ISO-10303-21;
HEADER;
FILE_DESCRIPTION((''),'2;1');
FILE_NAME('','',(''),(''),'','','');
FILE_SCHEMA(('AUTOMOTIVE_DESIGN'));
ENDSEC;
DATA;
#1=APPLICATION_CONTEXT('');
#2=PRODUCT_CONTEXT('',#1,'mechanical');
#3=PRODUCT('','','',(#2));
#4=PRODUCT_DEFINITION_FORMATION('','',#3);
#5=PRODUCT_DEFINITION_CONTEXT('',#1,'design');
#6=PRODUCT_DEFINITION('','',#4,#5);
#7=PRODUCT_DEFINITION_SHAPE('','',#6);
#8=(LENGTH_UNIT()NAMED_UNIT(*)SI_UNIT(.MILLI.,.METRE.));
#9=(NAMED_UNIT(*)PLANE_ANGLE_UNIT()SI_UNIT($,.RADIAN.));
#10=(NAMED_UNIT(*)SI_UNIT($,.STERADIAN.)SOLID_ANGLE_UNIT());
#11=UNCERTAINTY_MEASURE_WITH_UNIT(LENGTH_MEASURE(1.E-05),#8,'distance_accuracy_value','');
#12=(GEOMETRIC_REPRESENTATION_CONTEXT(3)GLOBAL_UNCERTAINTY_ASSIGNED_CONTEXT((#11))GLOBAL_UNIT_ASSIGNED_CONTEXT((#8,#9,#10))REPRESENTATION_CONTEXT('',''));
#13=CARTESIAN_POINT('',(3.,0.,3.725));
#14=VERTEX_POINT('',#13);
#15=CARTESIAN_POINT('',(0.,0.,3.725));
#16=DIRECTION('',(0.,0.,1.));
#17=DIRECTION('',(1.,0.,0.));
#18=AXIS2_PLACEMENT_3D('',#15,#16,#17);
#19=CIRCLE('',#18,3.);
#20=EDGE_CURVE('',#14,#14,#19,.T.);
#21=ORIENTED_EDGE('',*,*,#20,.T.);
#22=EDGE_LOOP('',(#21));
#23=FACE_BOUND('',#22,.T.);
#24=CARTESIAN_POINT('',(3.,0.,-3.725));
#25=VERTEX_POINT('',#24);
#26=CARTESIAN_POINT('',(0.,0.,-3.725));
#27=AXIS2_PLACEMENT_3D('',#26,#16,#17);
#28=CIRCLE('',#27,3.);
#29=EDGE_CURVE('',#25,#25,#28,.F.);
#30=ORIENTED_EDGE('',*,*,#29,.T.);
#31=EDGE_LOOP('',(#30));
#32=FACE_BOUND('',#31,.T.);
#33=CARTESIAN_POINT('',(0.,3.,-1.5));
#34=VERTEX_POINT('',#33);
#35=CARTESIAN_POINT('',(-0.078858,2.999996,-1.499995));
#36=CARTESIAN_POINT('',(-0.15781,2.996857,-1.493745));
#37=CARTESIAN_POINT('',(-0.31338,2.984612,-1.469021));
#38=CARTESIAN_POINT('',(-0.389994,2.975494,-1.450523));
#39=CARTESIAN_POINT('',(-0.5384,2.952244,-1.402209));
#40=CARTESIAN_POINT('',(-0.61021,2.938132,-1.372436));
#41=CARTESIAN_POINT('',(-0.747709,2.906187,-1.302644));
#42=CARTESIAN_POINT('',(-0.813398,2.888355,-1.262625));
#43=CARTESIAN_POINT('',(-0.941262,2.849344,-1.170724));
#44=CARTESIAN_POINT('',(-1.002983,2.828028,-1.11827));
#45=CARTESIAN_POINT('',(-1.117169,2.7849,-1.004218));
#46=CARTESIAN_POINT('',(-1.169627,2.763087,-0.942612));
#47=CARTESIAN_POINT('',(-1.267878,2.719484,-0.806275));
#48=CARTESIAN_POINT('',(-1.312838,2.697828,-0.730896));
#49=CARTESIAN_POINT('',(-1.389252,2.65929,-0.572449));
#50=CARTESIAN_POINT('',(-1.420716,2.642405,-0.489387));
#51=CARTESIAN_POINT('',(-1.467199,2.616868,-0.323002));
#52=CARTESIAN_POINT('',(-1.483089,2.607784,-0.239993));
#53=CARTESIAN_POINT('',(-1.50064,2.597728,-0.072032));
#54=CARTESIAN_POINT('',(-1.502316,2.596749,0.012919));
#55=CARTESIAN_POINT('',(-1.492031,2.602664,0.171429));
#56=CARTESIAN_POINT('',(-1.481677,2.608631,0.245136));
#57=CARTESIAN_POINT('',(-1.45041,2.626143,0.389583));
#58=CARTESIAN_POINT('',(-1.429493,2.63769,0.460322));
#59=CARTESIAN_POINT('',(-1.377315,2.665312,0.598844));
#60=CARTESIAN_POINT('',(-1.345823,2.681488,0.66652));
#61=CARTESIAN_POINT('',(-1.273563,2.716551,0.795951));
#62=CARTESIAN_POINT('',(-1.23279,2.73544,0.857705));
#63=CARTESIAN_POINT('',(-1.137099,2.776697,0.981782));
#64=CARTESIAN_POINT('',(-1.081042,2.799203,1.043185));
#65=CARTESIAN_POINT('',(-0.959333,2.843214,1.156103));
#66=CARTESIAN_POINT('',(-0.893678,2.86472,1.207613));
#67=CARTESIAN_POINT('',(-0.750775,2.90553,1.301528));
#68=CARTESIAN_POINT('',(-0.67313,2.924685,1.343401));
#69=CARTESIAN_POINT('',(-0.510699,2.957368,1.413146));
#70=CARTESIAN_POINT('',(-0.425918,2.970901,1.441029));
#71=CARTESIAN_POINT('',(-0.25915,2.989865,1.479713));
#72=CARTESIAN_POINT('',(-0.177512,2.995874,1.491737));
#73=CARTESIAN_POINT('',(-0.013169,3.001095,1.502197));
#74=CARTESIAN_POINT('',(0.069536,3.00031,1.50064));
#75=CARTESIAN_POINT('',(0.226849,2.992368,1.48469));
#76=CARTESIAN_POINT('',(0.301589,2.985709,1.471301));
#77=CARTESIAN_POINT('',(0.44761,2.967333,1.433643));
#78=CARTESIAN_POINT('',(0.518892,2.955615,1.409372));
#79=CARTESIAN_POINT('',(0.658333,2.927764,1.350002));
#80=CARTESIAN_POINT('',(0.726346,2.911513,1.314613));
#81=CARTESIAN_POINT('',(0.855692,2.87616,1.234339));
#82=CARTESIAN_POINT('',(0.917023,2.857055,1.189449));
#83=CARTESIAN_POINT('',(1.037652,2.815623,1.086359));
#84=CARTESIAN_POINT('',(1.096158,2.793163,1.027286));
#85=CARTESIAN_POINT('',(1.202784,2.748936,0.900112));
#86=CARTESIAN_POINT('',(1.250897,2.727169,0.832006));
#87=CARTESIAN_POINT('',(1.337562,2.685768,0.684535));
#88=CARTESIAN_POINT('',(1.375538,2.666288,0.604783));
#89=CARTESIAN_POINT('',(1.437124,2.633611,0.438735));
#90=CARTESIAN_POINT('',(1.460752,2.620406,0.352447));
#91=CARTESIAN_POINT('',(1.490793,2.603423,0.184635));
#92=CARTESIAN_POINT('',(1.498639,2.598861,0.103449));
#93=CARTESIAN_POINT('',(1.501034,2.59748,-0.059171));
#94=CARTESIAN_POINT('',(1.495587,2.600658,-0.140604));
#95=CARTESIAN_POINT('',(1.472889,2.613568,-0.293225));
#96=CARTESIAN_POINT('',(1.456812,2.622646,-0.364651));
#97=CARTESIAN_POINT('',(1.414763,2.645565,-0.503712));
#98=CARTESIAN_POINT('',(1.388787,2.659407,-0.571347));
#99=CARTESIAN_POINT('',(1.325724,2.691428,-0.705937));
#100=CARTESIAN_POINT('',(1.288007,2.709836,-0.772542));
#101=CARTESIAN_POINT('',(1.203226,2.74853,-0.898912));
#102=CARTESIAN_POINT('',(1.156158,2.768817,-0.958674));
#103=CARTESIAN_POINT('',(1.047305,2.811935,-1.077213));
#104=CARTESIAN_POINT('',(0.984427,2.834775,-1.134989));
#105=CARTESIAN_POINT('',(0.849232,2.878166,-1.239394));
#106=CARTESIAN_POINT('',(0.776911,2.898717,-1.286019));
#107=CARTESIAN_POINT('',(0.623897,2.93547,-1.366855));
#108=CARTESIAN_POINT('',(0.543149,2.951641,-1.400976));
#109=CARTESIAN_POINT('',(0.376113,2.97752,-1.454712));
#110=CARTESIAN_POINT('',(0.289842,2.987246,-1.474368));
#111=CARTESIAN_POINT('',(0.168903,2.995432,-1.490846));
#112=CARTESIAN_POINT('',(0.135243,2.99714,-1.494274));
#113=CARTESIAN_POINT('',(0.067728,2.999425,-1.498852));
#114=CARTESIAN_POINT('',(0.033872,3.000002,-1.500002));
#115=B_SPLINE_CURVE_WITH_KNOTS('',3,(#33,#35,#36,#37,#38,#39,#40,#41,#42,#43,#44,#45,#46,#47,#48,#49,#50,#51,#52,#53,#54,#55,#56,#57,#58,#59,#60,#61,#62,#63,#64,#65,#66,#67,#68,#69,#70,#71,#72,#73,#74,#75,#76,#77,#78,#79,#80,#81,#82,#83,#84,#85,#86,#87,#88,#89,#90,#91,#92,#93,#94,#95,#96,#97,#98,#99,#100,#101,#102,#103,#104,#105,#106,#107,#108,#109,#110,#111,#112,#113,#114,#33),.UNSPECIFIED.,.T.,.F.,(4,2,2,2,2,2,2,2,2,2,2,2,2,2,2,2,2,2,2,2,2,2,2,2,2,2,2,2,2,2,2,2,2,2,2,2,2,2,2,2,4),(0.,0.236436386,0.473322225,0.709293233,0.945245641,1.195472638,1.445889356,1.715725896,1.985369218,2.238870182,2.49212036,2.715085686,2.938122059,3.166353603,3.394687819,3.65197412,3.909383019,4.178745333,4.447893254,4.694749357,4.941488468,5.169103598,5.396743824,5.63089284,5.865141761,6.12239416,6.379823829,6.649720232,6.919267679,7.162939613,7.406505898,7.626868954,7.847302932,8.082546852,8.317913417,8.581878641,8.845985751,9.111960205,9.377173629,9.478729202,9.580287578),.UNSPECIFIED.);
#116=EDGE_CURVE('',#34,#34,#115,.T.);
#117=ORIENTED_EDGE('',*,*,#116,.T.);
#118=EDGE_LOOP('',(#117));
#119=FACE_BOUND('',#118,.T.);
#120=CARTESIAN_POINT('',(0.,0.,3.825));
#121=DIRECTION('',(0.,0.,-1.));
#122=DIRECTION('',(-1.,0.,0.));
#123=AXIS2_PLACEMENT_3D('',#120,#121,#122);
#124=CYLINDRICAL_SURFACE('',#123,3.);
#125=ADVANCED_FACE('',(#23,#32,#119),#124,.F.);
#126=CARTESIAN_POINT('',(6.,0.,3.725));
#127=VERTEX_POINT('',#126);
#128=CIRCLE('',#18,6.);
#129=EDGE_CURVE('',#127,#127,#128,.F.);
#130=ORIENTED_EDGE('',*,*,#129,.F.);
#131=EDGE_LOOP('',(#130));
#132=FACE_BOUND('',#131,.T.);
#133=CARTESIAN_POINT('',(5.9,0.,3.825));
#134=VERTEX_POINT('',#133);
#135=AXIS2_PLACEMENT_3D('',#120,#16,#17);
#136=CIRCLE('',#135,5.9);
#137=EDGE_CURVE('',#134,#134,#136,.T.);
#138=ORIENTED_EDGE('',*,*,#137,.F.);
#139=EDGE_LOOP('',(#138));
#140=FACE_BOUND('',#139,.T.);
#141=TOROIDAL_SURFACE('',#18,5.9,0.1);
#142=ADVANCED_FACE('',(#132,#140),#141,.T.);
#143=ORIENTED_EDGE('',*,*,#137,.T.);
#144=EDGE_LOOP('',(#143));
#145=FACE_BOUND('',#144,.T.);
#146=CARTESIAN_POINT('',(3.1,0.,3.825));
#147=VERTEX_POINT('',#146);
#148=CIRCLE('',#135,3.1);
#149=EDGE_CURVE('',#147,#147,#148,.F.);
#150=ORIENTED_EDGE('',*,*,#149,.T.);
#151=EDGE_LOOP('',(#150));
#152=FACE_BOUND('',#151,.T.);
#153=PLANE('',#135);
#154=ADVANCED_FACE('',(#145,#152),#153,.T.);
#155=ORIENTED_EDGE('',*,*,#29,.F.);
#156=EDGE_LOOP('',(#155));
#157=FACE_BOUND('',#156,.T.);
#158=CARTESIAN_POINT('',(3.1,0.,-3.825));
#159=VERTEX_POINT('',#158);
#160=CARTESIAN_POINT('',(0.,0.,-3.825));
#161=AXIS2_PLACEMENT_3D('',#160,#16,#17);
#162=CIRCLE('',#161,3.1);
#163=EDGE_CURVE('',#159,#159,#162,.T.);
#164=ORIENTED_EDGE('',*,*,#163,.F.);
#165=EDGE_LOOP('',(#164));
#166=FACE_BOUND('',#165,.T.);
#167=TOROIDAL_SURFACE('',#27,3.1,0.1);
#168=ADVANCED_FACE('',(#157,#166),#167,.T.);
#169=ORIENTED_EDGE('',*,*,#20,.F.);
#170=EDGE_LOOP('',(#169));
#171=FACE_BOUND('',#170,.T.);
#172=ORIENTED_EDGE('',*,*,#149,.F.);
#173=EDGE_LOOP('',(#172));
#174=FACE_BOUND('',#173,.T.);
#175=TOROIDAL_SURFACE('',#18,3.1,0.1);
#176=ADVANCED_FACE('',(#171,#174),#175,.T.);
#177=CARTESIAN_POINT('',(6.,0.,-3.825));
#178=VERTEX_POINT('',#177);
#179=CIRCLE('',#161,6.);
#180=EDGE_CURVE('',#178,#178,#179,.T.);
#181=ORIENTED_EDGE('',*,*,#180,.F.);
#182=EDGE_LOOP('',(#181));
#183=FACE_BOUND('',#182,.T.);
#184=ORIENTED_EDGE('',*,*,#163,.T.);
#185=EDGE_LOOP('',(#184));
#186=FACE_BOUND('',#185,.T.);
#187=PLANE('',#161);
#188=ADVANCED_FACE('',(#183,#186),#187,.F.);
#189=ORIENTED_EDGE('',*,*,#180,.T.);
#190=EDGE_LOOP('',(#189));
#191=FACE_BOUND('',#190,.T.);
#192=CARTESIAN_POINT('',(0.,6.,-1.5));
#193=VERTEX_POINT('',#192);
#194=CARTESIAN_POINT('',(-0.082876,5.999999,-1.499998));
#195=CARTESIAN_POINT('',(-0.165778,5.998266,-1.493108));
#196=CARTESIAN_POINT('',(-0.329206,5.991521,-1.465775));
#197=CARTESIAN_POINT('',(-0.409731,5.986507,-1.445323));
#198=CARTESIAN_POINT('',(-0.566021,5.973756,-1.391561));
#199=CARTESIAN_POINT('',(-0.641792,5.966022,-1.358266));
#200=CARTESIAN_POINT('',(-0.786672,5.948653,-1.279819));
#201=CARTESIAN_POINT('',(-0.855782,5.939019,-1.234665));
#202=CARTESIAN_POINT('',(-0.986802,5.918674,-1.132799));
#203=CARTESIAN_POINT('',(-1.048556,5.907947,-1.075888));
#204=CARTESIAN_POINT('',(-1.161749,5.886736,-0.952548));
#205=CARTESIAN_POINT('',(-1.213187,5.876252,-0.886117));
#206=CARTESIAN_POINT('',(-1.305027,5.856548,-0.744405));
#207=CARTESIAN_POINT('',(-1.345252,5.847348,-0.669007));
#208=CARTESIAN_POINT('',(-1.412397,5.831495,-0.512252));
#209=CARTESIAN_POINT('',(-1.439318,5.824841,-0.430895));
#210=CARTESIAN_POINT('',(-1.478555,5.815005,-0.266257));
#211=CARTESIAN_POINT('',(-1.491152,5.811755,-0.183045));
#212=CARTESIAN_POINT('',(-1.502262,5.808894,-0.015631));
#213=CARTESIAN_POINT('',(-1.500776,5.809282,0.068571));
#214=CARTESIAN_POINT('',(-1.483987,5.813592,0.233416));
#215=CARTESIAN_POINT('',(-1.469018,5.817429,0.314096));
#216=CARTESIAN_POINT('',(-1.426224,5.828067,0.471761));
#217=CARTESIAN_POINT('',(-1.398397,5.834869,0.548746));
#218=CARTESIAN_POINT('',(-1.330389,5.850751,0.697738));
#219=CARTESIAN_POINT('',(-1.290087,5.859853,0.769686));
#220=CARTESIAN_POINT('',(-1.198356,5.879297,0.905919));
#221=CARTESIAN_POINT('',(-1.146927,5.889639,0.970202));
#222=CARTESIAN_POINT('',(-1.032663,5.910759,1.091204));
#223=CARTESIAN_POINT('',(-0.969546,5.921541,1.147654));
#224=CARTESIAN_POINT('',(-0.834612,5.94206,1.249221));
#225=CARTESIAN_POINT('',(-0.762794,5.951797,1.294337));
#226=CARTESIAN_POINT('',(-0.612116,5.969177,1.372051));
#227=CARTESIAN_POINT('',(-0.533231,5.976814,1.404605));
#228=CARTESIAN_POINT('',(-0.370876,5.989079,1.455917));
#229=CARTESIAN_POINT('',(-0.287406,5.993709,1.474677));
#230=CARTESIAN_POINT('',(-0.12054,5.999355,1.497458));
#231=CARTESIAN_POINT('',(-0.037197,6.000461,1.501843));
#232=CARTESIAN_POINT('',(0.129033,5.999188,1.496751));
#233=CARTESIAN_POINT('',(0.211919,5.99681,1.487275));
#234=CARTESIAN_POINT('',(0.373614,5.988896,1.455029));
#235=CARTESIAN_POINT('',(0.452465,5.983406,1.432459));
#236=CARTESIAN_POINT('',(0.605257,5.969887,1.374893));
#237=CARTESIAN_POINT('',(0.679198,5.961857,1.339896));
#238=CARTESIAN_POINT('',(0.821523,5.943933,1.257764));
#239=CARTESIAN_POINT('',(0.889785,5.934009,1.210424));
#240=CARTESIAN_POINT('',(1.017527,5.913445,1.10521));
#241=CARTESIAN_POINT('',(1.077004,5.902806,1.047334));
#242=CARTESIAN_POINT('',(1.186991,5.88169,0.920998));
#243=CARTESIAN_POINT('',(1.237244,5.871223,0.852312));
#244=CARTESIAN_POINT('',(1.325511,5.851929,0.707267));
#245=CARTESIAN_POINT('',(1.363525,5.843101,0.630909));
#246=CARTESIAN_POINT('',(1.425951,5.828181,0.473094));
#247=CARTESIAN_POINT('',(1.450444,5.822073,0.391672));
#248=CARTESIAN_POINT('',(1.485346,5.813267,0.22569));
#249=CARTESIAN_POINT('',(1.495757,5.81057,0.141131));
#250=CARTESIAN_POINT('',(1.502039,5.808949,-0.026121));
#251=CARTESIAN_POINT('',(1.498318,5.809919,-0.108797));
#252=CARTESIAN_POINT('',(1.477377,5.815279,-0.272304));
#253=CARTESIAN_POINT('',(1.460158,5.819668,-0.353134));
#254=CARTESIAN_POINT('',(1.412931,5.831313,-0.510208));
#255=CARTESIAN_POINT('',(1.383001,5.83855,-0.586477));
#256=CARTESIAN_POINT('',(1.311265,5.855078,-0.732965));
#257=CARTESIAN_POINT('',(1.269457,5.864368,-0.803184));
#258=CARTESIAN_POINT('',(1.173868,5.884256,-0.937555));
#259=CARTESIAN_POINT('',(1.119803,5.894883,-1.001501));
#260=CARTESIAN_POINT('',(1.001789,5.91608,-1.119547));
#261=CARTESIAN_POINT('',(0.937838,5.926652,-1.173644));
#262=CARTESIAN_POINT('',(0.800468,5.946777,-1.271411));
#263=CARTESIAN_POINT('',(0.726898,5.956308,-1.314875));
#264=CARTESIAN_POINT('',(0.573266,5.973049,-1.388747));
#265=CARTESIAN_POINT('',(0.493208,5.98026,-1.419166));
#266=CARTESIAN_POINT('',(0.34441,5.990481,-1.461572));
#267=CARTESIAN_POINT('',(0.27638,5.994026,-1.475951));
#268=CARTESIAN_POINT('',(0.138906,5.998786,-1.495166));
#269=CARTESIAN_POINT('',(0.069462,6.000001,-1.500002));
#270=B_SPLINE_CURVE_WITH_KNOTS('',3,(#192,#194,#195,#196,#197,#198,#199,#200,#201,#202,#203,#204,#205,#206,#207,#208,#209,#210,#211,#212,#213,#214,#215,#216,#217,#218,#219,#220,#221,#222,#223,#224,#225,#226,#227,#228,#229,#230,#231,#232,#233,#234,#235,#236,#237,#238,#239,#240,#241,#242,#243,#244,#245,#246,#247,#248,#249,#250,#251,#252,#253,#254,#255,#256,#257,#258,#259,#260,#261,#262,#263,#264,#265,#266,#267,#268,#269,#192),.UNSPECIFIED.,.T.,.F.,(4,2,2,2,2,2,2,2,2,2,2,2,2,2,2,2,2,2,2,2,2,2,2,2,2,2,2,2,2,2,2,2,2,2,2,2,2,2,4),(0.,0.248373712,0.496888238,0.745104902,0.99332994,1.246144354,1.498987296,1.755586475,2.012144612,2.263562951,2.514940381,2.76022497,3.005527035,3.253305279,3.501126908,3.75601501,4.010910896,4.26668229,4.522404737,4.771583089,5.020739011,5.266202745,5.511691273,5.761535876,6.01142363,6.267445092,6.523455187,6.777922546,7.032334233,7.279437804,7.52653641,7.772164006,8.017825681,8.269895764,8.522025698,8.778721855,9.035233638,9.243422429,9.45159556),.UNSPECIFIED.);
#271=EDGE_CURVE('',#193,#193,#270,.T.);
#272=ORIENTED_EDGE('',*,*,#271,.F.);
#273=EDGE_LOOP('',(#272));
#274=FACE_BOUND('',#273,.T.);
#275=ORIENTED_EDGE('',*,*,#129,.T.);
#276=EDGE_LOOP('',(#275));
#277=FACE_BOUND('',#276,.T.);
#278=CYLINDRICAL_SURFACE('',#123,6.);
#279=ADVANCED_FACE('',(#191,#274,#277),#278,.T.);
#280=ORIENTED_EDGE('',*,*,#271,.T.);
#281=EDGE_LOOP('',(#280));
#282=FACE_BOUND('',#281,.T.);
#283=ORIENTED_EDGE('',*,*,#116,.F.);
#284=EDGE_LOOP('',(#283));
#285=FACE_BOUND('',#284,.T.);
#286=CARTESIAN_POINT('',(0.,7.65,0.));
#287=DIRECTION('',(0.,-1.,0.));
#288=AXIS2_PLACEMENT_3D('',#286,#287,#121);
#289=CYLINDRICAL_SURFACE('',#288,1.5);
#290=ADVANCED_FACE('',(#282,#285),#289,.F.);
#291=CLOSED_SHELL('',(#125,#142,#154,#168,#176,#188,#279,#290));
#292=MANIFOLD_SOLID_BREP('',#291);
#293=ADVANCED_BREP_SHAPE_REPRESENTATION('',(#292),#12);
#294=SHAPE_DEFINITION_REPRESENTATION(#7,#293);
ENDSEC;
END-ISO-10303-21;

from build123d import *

# Parameters (mm, degrees)
SKETCH_1_R          = 6
SKETCH_1_R_2        = 3
EXTRUDE_1_DEPTH     = 3.825
FILLET_1_R          = 0.1
SKETCH_2_R          = 1.5
CUT_EXTRUDE_1_DEPTH = 7.65


with BuildPart() as part:
    # 草圖1 → 填料-伸長1 (new, symmetric)
    with BuildSketch(Plane.XY):
        Circle(SKETCH_1_R)
        Circle(SKETCH_1_R_2, mode=Mode.SUBTRACT)
    extrude(amount=EXTRUDE_1_DEPTH, both=True)

    # 圓角1
    fillet_1_edges = [part.edges().sort_by_distance(p)[0] for p in [
        (-6, 0, 3.825),
        (-3, 0, -3.825),
        (-3, 0, 3.825),
    ]]
    fillet(fillet_1_edges, radius=FILLET_1_R)

    # 草圖2 → 除料-伸長1 (cut)
    with BuildSketch(Plane(origin=(0, 0, 0), x_dir=(1, 0, 0), z_dir=(0, 1, 0))):
        with Locations(Location((0, 0, 0), (0, 0, 90))):
            Circle(SKETCH_2_R)
    extrude(amount=CUT_EXTRUDE_1_DEPTH, mode=Mode.SUBTRACT)


solid = part.part
